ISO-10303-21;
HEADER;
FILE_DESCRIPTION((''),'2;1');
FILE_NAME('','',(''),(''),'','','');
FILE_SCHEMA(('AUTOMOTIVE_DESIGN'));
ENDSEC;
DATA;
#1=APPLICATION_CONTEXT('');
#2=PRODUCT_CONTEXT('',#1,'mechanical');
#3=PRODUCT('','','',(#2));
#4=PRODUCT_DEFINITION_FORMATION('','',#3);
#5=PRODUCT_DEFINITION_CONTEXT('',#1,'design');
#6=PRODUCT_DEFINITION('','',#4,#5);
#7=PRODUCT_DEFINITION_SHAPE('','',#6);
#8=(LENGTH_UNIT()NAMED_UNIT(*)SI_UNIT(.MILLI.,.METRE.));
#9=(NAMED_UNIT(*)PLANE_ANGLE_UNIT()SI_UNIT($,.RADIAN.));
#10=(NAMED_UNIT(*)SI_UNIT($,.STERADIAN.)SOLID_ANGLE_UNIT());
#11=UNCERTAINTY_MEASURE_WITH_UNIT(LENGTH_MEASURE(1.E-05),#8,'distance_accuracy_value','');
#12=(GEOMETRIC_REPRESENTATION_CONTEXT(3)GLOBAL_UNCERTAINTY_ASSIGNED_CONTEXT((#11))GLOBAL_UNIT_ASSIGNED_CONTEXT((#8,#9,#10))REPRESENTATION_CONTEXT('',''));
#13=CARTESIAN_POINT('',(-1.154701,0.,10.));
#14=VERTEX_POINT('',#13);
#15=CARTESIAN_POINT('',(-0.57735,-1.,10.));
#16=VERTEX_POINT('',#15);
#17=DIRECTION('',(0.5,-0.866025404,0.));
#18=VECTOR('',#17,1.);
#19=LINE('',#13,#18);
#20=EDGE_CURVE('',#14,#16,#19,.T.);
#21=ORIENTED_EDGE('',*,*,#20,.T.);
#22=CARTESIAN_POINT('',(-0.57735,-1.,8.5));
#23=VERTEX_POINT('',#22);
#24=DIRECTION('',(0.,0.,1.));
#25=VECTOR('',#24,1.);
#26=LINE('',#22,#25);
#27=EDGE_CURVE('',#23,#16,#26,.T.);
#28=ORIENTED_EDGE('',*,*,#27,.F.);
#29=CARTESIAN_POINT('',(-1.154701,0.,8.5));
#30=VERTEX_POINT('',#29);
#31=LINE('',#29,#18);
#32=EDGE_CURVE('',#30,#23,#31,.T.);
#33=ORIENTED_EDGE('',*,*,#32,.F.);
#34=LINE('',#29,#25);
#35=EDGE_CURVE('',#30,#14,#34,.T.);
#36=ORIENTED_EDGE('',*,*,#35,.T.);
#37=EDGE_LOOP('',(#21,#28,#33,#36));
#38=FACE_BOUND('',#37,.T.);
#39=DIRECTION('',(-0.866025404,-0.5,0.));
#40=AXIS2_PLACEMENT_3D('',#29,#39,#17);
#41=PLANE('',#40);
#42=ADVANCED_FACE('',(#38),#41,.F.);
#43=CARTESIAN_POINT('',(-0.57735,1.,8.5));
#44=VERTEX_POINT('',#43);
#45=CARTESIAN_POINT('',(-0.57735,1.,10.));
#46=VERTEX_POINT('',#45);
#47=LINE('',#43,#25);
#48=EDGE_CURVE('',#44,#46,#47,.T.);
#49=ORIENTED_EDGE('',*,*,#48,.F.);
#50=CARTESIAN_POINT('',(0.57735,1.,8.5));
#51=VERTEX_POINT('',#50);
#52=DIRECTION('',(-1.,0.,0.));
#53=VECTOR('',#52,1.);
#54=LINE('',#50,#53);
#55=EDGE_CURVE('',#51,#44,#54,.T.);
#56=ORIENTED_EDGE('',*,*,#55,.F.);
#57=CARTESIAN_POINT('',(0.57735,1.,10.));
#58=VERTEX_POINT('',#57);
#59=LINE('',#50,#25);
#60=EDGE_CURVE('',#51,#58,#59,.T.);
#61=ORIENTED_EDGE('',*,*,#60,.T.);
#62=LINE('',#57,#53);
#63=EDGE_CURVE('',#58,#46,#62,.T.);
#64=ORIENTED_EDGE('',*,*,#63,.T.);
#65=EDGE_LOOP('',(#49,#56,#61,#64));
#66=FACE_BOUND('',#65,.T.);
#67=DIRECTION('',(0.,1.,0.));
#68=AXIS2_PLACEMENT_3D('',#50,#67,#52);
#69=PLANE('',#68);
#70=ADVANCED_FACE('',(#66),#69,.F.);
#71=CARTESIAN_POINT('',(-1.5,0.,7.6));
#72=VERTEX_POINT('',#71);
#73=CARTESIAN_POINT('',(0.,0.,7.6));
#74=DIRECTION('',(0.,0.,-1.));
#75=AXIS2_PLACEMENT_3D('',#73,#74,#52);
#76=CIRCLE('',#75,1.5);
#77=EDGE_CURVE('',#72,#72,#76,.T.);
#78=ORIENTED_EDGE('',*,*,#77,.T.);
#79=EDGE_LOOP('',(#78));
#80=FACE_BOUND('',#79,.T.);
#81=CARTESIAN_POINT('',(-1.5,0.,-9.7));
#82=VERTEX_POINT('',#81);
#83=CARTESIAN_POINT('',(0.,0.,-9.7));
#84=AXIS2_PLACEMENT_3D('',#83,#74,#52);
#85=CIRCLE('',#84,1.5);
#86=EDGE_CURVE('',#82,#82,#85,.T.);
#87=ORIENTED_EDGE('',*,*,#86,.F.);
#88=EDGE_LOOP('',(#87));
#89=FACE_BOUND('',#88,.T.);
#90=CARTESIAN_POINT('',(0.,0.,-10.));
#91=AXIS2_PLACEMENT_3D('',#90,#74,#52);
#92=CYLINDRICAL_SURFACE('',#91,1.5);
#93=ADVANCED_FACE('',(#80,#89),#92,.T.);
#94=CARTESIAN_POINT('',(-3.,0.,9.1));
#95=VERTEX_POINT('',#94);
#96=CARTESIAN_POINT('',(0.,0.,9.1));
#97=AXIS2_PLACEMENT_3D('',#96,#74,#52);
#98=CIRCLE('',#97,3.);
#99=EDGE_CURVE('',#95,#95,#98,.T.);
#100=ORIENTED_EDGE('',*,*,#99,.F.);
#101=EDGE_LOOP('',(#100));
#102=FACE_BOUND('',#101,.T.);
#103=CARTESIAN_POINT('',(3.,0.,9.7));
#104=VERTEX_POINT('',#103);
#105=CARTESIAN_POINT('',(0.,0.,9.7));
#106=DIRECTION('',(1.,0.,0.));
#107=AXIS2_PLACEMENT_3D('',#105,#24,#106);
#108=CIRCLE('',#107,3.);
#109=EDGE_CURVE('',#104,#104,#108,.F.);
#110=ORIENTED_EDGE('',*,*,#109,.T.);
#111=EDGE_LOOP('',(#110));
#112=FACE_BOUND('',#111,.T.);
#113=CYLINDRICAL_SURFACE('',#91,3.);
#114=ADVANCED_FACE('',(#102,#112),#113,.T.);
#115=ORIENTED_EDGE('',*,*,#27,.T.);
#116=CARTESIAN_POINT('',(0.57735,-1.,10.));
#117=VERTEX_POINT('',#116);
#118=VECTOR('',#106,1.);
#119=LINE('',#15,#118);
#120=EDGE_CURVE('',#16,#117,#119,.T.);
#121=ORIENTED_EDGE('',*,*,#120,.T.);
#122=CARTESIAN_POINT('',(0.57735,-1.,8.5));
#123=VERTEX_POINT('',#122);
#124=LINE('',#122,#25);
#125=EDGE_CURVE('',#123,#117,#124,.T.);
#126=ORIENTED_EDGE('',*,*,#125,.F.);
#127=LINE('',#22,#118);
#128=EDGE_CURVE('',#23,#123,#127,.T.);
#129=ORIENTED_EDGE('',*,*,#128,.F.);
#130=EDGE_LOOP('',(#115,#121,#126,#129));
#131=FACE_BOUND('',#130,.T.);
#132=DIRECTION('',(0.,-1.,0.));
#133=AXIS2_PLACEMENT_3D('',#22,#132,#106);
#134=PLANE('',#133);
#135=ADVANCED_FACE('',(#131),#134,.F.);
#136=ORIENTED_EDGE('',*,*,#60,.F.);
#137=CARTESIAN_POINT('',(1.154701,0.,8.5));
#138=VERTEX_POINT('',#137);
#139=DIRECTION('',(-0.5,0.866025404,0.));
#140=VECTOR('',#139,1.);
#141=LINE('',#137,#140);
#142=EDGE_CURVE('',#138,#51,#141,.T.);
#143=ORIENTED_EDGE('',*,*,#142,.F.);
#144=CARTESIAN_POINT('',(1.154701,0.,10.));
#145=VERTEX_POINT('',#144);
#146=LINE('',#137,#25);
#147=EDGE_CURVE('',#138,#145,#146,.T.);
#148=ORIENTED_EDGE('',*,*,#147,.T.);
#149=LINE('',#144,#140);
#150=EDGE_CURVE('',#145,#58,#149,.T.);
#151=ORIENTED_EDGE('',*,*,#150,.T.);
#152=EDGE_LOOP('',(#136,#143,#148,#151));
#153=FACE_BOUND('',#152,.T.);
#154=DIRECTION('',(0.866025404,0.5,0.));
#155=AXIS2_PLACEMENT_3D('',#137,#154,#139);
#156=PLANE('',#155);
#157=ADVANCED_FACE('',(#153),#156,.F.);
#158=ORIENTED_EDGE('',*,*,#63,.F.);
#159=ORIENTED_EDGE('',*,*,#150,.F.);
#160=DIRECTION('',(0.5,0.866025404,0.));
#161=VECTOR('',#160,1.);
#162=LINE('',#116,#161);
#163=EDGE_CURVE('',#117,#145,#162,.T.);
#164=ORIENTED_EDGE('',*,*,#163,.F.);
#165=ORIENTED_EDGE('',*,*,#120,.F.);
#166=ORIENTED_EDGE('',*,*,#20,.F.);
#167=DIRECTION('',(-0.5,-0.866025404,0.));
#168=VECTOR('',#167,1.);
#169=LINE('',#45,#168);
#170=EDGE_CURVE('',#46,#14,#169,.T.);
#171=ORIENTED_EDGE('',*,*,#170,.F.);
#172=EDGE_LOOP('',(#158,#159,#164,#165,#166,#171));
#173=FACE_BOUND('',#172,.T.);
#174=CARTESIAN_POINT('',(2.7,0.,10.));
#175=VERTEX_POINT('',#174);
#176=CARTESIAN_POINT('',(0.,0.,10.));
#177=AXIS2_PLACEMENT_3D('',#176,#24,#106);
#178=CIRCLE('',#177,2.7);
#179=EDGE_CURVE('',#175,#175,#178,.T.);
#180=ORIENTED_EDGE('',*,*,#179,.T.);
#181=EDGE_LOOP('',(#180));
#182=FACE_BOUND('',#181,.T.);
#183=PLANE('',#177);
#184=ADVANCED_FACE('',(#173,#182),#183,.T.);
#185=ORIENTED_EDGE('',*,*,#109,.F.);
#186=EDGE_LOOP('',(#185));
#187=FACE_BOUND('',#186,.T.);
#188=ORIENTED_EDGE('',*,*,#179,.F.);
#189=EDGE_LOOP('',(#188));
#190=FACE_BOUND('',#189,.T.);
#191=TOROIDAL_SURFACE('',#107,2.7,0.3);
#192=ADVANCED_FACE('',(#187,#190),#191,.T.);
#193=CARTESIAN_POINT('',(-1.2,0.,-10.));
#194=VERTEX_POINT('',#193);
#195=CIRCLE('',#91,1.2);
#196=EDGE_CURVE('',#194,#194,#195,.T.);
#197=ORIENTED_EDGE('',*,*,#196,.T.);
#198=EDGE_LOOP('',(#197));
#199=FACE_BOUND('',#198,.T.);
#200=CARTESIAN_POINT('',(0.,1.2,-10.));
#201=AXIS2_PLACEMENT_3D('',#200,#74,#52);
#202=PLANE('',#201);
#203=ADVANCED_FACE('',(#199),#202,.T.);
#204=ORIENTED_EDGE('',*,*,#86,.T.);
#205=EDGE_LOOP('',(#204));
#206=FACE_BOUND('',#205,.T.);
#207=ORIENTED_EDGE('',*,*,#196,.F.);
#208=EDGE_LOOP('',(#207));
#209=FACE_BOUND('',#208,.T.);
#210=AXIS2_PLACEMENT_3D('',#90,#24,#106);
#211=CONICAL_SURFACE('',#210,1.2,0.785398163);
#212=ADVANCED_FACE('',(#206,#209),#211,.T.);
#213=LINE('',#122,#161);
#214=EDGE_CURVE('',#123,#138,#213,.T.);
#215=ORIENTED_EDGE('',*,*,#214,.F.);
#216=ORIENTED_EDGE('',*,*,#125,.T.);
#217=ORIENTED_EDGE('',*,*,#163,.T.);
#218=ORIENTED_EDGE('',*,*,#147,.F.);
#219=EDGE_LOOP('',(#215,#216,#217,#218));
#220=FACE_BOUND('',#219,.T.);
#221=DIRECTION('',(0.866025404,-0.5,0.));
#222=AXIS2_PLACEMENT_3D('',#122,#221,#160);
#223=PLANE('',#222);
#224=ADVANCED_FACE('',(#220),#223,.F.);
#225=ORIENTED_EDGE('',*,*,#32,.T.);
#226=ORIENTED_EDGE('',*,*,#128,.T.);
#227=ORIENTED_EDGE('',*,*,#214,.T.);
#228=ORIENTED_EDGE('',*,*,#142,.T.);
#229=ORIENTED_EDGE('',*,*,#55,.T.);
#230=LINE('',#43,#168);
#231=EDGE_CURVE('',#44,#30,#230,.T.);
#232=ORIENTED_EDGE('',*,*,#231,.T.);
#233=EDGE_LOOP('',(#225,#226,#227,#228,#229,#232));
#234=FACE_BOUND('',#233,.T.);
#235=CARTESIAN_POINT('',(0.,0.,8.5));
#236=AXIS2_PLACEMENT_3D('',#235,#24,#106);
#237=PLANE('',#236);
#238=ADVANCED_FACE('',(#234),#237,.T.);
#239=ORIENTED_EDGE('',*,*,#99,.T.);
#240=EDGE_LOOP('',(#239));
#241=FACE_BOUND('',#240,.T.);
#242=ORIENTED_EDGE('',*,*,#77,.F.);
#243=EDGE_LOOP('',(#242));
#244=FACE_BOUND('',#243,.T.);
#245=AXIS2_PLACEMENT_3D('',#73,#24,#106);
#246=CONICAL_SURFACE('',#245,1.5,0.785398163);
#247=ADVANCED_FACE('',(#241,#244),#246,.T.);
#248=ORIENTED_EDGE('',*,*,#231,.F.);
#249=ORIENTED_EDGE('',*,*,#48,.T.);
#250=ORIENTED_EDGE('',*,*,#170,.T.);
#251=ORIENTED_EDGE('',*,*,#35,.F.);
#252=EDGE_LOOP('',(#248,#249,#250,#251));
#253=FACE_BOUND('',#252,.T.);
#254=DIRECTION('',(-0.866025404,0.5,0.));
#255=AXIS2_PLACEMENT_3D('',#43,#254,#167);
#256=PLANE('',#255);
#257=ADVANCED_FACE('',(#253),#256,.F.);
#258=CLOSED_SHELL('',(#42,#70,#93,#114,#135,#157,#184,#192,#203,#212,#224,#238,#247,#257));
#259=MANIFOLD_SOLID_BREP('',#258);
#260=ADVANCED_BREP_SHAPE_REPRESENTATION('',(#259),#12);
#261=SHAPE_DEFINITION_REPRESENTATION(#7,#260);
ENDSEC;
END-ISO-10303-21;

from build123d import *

# Parameters (mm, degrees)
CUT_EXTRUDE_1_DEPTH = 1.5
FILLET_1_R          = 0.3


with BuildPart() as part:
    # 草图1 → 旋转1 (revolve)
    with BuildSketch(Plane(origin=(0, 0, 0), x_dir=(0, 0, -1), z_dir=(1, 0, 0)), mode=Mode.PRIVATE) as revolve_1_sk:
        Polygon((-10, 0), (-10, 3), (-9.1, 3), (-7.6, 1.5), (9.7, 1.5), (10, 1.2), (10, 0), align=None)
    revolve(revolve_1_sk.sketch.rotate(Axis((0, 0, -10), (0, 0, 1)), 90), axis=Axis((0, 0, -10), (0, 0, 1)))

    # 草图2 → 切除-拉伸1 (cut)
    with BuildSketch(Plane.XY.offset(10)):
        Polygon((1.154700538, 0), (0.577350269, 1), (-0.577350269, 1), (-1.154700538, 0), (-0.577350269, -1), (0.577350269, -1), align=None)
    extrude(amount=-CUT_EXTRUDE_1_DEPTH, mode=Mode.SUBTRACT)

    # 圆角1
    fillet_1_edges = [part.edges().sort_by_distance(p)[0] for p in [
        (3, 0, 10),
    ]]
    fillet(fillet_1_edges, radius=FILLET_1_R)


solid = part.part
